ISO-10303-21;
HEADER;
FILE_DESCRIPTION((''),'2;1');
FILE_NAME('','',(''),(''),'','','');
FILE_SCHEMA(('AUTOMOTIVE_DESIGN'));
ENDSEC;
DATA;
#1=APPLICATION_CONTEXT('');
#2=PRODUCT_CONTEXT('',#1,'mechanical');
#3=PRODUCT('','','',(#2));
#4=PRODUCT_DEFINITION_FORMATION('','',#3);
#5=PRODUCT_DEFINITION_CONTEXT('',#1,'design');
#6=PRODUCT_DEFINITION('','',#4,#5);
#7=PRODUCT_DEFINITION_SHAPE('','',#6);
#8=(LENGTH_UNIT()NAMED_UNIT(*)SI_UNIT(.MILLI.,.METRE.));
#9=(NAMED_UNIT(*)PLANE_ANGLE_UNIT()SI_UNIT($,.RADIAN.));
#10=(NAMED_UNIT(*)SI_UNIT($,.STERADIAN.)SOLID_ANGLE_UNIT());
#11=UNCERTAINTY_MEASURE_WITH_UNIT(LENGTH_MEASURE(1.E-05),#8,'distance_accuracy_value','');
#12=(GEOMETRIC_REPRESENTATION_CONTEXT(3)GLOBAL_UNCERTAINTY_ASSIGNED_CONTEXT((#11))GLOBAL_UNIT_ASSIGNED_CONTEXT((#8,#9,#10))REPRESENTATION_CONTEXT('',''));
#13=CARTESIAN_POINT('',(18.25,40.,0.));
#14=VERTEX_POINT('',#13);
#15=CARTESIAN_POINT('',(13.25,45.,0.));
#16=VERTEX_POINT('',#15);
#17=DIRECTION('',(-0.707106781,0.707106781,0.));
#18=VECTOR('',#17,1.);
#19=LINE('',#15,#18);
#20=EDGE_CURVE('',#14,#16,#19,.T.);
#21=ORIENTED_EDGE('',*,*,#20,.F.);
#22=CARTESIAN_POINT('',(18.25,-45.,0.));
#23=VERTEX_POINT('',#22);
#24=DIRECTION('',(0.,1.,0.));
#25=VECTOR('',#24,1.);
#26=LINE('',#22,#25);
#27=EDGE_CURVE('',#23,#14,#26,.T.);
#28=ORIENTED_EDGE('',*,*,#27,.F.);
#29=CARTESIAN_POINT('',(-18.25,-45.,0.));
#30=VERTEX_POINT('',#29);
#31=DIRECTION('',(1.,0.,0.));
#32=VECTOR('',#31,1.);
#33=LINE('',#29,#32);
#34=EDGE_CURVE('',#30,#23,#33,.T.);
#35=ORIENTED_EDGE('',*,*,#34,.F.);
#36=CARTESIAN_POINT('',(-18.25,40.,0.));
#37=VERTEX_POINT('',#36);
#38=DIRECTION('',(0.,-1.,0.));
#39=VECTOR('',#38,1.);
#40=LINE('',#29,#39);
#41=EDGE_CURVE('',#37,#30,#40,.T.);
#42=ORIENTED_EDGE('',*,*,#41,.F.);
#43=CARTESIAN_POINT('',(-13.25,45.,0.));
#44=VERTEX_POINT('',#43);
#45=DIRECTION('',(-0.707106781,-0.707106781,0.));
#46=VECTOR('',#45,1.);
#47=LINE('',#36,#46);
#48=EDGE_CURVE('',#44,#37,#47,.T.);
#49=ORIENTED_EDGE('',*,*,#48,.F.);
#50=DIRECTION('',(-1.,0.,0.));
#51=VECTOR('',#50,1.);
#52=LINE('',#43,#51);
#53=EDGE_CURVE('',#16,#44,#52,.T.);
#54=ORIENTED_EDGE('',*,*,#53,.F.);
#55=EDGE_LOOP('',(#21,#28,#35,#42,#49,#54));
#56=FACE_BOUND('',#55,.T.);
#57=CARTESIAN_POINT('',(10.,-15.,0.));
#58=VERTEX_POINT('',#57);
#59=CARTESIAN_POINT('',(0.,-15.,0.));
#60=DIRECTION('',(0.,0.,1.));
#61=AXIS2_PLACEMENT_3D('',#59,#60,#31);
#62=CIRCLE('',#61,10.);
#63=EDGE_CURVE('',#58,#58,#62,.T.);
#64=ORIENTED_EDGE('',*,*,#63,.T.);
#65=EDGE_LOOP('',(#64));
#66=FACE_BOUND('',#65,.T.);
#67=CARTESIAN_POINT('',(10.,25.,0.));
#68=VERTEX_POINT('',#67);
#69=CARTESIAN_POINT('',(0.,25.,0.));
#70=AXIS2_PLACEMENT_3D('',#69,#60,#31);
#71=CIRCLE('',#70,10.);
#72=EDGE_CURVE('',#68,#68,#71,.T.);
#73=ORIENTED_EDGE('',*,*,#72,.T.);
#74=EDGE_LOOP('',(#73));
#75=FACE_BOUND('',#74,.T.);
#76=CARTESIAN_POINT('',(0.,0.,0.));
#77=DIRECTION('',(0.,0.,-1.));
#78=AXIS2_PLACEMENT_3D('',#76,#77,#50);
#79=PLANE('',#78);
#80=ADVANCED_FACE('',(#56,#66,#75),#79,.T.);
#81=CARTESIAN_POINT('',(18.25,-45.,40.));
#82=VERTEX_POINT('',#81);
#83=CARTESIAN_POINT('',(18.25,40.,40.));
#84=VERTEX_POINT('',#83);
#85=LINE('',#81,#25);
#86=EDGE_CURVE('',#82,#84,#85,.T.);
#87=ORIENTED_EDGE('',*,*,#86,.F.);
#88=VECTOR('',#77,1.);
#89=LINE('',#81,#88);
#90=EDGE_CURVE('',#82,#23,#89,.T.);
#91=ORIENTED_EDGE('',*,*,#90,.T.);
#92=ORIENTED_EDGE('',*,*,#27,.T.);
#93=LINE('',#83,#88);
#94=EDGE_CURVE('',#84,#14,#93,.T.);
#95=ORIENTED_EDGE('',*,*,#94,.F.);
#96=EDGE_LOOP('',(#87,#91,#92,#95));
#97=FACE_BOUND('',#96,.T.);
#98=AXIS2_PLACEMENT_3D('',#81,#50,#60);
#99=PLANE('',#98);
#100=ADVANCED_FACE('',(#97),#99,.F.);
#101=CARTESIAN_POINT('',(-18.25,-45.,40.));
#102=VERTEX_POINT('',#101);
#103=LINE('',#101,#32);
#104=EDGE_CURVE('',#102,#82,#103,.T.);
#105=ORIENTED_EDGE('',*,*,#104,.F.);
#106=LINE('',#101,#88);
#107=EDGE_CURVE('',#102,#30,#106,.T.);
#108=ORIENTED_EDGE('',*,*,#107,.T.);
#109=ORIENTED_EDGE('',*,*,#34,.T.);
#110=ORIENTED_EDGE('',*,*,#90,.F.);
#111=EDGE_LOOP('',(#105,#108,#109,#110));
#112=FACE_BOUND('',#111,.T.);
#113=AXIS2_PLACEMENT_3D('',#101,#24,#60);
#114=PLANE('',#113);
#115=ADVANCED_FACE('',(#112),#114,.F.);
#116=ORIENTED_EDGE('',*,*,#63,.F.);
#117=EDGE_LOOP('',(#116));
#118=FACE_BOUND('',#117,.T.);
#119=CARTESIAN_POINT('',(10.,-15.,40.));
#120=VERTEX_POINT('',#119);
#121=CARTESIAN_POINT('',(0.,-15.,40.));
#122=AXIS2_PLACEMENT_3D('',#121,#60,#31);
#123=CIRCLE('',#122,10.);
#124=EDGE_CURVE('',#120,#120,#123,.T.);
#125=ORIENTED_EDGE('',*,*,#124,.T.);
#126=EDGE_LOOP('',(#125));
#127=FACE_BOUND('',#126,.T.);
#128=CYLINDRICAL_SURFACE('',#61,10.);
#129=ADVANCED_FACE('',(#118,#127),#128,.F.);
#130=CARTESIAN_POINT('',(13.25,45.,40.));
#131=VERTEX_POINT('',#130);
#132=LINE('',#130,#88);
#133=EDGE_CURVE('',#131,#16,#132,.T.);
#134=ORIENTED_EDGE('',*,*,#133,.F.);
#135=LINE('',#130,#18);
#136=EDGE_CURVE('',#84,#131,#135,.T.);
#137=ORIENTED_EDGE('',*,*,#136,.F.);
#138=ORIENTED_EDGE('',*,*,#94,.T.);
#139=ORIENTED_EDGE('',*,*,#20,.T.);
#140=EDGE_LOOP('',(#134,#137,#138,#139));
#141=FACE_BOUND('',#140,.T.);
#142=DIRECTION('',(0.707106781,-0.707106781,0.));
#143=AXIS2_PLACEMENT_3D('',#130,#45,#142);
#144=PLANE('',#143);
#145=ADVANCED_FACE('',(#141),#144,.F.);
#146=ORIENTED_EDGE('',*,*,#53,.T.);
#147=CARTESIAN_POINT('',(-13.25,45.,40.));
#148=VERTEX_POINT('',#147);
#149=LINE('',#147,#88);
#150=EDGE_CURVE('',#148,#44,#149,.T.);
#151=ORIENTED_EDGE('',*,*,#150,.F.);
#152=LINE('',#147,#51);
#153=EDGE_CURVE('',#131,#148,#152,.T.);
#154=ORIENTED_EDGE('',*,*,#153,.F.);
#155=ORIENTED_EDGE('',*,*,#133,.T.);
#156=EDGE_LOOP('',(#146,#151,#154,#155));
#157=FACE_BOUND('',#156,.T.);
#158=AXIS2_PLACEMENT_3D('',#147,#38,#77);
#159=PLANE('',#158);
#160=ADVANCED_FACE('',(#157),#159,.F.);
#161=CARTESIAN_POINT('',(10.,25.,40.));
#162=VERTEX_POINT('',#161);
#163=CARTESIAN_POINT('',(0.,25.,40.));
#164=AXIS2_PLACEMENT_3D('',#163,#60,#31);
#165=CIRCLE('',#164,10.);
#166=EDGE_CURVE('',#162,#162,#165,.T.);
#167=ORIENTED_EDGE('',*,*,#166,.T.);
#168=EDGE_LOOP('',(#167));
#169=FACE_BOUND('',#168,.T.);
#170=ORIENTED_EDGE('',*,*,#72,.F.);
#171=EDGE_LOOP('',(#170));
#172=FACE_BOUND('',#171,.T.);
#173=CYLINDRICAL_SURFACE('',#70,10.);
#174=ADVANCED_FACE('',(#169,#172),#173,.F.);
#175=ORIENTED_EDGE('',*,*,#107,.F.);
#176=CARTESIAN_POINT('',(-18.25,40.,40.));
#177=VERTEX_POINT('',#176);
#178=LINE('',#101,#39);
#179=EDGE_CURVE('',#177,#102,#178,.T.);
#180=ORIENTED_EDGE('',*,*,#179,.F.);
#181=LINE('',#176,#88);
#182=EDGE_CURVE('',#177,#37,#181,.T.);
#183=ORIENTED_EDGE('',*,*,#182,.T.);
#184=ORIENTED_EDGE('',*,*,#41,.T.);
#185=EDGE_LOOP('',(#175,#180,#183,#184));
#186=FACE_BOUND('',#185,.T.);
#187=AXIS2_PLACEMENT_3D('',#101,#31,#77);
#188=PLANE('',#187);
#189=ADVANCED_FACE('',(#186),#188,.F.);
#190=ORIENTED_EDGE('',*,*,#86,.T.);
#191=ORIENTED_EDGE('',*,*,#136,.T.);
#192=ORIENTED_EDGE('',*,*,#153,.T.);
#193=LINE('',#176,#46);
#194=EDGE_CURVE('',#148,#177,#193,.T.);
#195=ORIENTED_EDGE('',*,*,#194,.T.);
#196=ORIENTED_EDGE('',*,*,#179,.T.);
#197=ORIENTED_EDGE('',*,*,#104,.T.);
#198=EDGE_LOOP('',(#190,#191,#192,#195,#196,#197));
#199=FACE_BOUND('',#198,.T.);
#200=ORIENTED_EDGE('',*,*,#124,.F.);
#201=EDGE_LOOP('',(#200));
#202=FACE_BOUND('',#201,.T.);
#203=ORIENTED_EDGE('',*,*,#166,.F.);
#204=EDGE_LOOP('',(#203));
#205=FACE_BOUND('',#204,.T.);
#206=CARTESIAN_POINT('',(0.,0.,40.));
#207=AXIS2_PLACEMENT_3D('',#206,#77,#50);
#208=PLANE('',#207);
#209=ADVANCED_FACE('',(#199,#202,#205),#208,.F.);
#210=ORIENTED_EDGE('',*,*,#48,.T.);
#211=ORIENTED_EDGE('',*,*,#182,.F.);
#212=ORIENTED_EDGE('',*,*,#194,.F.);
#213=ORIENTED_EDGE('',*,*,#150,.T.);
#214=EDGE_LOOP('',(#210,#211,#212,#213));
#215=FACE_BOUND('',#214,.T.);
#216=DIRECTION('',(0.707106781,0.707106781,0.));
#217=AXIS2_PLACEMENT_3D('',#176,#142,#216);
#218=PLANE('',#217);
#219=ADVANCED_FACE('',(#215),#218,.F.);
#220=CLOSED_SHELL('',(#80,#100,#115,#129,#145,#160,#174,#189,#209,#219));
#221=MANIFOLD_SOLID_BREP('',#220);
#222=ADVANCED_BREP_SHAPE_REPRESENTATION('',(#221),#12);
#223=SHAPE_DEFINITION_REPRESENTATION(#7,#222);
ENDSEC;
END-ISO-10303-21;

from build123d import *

# Parameters (mm, degrees)
SALIENTE_EXTRUIR1_DEPTH = 40
CROQUIS2_R              = 10
CORTAR_EXTRUIR1_DEPTH   = 40


with BuildPart() as part:
    # Croquis1 → Saliente-Extruir1 (new body)
    with BuildSketch(Plane.XY):
        Polygon((-18.25, 40), (-13.25, 45), (13.25, 45), (18.25, 40), (18.25, -45), (-18.25, -45), align=None)
    extrude(amount=SALIENTE_EXTRUIR1_DEPTH)

    # Croquis2 → Cortar-Extruir1 (cut)
    with BuildSketch(Plane.XY.offset(40)):
        with Locations((0, 25)):
            Circle(CROQUIS2_R)
        with Locations((0, -15)):
            Circle(CROQUIS2_R)
    extrude(amount=-CORTAR_EXTRUIR1_DEPTH, mode=Mode.SUBTRACT)


solid = part.part
